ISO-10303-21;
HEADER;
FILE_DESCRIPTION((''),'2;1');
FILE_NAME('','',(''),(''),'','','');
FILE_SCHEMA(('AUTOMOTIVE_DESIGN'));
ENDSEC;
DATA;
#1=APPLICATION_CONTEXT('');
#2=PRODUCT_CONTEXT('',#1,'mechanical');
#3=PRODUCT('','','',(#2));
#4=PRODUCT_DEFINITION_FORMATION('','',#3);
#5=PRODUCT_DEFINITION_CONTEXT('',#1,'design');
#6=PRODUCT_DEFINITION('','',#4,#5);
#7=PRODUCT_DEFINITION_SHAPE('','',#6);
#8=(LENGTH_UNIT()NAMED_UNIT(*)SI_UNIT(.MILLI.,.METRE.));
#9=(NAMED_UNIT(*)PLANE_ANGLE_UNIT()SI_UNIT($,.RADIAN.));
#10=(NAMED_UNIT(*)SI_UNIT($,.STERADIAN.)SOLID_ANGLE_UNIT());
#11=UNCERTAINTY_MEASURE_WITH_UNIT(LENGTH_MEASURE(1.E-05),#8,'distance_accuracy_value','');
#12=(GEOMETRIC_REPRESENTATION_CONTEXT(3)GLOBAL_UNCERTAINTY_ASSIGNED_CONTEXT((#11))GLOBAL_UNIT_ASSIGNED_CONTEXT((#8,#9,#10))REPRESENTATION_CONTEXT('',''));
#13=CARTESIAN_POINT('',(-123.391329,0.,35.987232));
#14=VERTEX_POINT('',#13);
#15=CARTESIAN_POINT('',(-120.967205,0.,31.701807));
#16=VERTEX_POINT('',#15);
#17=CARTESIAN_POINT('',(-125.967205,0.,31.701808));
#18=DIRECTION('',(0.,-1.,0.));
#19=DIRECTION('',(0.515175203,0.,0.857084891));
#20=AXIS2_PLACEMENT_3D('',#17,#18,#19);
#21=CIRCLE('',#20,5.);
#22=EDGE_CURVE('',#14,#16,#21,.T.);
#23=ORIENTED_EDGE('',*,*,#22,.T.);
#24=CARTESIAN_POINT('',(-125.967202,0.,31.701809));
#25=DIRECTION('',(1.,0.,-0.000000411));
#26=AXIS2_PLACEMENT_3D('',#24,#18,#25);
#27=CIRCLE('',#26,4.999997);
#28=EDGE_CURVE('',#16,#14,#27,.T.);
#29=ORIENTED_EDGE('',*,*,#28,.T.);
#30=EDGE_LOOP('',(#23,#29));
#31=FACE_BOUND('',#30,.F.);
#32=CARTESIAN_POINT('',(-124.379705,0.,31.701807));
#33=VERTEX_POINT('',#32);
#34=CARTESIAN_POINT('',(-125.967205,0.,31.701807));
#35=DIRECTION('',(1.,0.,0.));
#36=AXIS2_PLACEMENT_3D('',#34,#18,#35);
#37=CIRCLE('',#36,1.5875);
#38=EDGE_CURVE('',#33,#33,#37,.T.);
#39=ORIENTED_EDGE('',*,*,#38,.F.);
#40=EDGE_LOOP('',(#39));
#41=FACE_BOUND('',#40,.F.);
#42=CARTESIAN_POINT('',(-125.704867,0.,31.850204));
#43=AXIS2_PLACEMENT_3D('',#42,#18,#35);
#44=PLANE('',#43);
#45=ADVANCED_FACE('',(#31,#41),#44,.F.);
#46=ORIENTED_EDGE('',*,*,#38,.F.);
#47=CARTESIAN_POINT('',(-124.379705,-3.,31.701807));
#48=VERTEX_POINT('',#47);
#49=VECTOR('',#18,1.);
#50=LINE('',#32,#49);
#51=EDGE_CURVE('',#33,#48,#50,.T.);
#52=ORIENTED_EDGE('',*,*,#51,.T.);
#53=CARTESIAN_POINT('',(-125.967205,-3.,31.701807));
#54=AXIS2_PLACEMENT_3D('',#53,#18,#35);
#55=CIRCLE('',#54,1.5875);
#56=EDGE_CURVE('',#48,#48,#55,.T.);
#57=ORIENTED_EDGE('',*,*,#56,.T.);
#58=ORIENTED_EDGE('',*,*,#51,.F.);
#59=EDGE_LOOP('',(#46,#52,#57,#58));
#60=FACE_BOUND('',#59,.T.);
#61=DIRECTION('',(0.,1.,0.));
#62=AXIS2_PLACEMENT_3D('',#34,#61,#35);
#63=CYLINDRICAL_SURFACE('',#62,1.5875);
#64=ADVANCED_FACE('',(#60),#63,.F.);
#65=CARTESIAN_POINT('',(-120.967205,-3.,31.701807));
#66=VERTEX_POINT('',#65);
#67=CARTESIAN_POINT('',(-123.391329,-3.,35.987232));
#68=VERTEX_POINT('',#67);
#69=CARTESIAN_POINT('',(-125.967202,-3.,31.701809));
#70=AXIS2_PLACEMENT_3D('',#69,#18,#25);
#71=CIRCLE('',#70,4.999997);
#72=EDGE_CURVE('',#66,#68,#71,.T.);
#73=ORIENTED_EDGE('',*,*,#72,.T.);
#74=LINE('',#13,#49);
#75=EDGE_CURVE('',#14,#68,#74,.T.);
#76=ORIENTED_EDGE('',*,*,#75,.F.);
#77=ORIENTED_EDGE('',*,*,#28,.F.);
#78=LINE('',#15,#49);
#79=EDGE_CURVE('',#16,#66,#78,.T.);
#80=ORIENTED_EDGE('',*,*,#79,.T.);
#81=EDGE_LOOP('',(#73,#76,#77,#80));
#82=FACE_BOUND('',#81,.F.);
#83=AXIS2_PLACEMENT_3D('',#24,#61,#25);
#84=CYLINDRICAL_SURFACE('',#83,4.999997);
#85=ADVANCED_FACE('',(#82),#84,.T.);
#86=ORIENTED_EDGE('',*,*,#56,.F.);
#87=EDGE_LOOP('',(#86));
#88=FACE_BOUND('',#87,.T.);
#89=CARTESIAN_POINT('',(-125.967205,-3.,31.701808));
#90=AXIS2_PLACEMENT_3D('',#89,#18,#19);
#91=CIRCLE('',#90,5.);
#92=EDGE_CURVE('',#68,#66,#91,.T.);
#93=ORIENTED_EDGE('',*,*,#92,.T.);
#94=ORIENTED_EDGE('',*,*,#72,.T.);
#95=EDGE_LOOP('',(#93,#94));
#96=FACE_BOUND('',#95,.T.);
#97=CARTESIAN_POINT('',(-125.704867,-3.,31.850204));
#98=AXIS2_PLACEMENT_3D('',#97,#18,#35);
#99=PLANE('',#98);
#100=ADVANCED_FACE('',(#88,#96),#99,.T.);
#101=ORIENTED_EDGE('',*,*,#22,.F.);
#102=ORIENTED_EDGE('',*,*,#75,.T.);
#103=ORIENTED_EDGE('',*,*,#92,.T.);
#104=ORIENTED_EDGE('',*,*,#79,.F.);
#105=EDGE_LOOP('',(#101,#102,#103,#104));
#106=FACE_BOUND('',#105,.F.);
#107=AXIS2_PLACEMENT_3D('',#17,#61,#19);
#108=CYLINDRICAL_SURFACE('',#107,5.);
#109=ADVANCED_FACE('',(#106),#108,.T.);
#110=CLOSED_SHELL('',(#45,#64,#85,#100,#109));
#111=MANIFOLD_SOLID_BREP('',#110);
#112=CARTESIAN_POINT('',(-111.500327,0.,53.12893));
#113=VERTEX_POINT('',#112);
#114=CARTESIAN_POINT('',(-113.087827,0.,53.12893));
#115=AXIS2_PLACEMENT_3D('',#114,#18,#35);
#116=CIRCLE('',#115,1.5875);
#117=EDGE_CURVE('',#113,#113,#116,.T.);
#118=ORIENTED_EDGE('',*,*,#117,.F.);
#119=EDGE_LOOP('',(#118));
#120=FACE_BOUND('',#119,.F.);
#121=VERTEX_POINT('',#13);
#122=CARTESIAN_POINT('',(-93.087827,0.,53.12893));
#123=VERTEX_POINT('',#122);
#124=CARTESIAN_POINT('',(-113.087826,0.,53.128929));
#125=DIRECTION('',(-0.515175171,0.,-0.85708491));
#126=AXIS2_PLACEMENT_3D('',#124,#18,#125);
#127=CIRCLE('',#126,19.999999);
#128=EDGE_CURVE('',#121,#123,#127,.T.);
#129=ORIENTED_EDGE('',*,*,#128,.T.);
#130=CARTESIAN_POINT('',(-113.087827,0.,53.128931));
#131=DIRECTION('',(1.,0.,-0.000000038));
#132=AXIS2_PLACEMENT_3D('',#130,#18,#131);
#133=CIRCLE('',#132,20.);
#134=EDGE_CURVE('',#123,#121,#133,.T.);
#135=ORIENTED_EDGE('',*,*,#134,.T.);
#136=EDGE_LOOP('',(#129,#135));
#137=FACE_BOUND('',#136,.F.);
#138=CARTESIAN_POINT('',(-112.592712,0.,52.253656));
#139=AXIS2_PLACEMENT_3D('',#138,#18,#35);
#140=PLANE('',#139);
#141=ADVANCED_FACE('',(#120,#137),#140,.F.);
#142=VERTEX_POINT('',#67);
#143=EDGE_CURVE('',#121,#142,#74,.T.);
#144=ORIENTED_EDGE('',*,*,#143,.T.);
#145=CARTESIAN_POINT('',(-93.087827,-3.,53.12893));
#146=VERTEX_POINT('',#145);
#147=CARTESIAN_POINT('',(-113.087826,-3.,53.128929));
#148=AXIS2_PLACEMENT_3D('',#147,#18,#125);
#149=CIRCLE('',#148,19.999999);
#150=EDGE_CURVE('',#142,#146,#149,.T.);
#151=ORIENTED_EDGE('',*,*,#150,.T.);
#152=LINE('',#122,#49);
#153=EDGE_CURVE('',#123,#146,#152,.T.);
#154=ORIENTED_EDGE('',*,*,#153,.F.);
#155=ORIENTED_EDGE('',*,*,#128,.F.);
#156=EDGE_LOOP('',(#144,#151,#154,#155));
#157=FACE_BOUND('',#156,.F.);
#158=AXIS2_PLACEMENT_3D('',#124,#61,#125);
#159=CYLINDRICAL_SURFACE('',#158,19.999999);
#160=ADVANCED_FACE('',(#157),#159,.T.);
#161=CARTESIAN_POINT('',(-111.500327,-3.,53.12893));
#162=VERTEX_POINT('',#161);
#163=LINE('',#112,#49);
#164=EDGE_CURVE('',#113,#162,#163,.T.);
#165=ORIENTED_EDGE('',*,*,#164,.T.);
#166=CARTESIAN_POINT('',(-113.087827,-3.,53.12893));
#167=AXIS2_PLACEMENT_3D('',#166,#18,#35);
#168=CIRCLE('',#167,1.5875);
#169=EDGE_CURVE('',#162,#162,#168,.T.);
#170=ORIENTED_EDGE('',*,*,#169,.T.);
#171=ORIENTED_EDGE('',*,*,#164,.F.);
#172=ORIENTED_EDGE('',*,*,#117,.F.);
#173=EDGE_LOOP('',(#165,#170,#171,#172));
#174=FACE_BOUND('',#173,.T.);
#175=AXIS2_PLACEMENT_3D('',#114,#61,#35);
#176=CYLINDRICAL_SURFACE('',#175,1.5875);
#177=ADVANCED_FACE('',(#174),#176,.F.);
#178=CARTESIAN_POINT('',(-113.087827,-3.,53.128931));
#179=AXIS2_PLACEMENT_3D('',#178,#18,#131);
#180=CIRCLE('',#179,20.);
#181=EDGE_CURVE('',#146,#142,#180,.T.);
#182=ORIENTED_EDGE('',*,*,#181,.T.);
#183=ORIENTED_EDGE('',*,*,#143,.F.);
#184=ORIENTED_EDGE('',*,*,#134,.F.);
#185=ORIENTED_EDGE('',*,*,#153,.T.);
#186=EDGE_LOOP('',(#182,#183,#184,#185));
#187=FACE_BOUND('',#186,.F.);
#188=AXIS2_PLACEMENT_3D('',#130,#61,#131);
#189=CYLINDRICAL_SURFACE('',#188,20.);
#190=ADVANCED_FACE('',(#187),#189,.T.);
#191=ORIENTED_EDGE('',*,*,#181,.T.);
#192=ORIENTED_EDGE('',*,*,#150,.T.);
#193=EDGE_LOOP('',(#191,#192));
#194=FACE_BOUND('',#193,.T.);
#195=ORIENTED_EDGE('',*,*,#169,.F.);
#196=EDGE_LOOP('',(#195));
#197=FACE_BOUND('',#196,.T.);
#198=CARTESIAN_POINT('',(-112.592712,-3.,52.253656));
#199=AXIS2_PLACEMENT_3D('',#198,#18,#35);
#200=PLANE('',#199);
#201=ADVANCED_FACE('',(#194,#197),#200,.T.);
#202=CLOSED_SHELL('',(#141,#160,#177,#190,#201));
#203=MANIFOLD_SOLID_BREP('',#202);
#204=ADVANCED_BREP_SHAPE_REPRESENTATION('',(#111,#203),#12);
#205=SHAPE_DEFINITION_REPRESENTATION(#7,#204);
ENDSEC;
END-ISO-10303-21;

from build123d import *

# Parameters (mm, degrees)
F0_R     = 1.5875
F1_DEPTH = 3


with BuildPart() as f1:
    # F0 (on Front) → F1 (new body)
    with BuildSketch(Plane.XZ):
        with BuildLine():
            ThreePointArc((-93.087827, 53.12893), (-122.934906, 70.536832), (-123.391329, 35.987232))
            ThreePointArc((-123.391329, 35.987232), (-103.240747, 35.721029), (-93.087827, 53.12893))
        make_face()
        with Locations((-113.087827, 53.12893)):
            Circle(F0_R, mode=Mode.SUBTRACT)
        with BuildLine():
            ThreePointArc((-123.391329, 35.987232), (-130.31918, 29.240037), (-120.967205, 31.701807))
            ThreePointArc((-120.967205, 31.701807), (-121.615229, 34.163577), (-123.391329, 35.987232))
        make_face()
        with Locations((-125.967205, 31.701807)):
            Circle(F0_R, mode=Mode.SUBTRACT)
    extrude(amount=F1_DEPTH)


solid = f1.part
